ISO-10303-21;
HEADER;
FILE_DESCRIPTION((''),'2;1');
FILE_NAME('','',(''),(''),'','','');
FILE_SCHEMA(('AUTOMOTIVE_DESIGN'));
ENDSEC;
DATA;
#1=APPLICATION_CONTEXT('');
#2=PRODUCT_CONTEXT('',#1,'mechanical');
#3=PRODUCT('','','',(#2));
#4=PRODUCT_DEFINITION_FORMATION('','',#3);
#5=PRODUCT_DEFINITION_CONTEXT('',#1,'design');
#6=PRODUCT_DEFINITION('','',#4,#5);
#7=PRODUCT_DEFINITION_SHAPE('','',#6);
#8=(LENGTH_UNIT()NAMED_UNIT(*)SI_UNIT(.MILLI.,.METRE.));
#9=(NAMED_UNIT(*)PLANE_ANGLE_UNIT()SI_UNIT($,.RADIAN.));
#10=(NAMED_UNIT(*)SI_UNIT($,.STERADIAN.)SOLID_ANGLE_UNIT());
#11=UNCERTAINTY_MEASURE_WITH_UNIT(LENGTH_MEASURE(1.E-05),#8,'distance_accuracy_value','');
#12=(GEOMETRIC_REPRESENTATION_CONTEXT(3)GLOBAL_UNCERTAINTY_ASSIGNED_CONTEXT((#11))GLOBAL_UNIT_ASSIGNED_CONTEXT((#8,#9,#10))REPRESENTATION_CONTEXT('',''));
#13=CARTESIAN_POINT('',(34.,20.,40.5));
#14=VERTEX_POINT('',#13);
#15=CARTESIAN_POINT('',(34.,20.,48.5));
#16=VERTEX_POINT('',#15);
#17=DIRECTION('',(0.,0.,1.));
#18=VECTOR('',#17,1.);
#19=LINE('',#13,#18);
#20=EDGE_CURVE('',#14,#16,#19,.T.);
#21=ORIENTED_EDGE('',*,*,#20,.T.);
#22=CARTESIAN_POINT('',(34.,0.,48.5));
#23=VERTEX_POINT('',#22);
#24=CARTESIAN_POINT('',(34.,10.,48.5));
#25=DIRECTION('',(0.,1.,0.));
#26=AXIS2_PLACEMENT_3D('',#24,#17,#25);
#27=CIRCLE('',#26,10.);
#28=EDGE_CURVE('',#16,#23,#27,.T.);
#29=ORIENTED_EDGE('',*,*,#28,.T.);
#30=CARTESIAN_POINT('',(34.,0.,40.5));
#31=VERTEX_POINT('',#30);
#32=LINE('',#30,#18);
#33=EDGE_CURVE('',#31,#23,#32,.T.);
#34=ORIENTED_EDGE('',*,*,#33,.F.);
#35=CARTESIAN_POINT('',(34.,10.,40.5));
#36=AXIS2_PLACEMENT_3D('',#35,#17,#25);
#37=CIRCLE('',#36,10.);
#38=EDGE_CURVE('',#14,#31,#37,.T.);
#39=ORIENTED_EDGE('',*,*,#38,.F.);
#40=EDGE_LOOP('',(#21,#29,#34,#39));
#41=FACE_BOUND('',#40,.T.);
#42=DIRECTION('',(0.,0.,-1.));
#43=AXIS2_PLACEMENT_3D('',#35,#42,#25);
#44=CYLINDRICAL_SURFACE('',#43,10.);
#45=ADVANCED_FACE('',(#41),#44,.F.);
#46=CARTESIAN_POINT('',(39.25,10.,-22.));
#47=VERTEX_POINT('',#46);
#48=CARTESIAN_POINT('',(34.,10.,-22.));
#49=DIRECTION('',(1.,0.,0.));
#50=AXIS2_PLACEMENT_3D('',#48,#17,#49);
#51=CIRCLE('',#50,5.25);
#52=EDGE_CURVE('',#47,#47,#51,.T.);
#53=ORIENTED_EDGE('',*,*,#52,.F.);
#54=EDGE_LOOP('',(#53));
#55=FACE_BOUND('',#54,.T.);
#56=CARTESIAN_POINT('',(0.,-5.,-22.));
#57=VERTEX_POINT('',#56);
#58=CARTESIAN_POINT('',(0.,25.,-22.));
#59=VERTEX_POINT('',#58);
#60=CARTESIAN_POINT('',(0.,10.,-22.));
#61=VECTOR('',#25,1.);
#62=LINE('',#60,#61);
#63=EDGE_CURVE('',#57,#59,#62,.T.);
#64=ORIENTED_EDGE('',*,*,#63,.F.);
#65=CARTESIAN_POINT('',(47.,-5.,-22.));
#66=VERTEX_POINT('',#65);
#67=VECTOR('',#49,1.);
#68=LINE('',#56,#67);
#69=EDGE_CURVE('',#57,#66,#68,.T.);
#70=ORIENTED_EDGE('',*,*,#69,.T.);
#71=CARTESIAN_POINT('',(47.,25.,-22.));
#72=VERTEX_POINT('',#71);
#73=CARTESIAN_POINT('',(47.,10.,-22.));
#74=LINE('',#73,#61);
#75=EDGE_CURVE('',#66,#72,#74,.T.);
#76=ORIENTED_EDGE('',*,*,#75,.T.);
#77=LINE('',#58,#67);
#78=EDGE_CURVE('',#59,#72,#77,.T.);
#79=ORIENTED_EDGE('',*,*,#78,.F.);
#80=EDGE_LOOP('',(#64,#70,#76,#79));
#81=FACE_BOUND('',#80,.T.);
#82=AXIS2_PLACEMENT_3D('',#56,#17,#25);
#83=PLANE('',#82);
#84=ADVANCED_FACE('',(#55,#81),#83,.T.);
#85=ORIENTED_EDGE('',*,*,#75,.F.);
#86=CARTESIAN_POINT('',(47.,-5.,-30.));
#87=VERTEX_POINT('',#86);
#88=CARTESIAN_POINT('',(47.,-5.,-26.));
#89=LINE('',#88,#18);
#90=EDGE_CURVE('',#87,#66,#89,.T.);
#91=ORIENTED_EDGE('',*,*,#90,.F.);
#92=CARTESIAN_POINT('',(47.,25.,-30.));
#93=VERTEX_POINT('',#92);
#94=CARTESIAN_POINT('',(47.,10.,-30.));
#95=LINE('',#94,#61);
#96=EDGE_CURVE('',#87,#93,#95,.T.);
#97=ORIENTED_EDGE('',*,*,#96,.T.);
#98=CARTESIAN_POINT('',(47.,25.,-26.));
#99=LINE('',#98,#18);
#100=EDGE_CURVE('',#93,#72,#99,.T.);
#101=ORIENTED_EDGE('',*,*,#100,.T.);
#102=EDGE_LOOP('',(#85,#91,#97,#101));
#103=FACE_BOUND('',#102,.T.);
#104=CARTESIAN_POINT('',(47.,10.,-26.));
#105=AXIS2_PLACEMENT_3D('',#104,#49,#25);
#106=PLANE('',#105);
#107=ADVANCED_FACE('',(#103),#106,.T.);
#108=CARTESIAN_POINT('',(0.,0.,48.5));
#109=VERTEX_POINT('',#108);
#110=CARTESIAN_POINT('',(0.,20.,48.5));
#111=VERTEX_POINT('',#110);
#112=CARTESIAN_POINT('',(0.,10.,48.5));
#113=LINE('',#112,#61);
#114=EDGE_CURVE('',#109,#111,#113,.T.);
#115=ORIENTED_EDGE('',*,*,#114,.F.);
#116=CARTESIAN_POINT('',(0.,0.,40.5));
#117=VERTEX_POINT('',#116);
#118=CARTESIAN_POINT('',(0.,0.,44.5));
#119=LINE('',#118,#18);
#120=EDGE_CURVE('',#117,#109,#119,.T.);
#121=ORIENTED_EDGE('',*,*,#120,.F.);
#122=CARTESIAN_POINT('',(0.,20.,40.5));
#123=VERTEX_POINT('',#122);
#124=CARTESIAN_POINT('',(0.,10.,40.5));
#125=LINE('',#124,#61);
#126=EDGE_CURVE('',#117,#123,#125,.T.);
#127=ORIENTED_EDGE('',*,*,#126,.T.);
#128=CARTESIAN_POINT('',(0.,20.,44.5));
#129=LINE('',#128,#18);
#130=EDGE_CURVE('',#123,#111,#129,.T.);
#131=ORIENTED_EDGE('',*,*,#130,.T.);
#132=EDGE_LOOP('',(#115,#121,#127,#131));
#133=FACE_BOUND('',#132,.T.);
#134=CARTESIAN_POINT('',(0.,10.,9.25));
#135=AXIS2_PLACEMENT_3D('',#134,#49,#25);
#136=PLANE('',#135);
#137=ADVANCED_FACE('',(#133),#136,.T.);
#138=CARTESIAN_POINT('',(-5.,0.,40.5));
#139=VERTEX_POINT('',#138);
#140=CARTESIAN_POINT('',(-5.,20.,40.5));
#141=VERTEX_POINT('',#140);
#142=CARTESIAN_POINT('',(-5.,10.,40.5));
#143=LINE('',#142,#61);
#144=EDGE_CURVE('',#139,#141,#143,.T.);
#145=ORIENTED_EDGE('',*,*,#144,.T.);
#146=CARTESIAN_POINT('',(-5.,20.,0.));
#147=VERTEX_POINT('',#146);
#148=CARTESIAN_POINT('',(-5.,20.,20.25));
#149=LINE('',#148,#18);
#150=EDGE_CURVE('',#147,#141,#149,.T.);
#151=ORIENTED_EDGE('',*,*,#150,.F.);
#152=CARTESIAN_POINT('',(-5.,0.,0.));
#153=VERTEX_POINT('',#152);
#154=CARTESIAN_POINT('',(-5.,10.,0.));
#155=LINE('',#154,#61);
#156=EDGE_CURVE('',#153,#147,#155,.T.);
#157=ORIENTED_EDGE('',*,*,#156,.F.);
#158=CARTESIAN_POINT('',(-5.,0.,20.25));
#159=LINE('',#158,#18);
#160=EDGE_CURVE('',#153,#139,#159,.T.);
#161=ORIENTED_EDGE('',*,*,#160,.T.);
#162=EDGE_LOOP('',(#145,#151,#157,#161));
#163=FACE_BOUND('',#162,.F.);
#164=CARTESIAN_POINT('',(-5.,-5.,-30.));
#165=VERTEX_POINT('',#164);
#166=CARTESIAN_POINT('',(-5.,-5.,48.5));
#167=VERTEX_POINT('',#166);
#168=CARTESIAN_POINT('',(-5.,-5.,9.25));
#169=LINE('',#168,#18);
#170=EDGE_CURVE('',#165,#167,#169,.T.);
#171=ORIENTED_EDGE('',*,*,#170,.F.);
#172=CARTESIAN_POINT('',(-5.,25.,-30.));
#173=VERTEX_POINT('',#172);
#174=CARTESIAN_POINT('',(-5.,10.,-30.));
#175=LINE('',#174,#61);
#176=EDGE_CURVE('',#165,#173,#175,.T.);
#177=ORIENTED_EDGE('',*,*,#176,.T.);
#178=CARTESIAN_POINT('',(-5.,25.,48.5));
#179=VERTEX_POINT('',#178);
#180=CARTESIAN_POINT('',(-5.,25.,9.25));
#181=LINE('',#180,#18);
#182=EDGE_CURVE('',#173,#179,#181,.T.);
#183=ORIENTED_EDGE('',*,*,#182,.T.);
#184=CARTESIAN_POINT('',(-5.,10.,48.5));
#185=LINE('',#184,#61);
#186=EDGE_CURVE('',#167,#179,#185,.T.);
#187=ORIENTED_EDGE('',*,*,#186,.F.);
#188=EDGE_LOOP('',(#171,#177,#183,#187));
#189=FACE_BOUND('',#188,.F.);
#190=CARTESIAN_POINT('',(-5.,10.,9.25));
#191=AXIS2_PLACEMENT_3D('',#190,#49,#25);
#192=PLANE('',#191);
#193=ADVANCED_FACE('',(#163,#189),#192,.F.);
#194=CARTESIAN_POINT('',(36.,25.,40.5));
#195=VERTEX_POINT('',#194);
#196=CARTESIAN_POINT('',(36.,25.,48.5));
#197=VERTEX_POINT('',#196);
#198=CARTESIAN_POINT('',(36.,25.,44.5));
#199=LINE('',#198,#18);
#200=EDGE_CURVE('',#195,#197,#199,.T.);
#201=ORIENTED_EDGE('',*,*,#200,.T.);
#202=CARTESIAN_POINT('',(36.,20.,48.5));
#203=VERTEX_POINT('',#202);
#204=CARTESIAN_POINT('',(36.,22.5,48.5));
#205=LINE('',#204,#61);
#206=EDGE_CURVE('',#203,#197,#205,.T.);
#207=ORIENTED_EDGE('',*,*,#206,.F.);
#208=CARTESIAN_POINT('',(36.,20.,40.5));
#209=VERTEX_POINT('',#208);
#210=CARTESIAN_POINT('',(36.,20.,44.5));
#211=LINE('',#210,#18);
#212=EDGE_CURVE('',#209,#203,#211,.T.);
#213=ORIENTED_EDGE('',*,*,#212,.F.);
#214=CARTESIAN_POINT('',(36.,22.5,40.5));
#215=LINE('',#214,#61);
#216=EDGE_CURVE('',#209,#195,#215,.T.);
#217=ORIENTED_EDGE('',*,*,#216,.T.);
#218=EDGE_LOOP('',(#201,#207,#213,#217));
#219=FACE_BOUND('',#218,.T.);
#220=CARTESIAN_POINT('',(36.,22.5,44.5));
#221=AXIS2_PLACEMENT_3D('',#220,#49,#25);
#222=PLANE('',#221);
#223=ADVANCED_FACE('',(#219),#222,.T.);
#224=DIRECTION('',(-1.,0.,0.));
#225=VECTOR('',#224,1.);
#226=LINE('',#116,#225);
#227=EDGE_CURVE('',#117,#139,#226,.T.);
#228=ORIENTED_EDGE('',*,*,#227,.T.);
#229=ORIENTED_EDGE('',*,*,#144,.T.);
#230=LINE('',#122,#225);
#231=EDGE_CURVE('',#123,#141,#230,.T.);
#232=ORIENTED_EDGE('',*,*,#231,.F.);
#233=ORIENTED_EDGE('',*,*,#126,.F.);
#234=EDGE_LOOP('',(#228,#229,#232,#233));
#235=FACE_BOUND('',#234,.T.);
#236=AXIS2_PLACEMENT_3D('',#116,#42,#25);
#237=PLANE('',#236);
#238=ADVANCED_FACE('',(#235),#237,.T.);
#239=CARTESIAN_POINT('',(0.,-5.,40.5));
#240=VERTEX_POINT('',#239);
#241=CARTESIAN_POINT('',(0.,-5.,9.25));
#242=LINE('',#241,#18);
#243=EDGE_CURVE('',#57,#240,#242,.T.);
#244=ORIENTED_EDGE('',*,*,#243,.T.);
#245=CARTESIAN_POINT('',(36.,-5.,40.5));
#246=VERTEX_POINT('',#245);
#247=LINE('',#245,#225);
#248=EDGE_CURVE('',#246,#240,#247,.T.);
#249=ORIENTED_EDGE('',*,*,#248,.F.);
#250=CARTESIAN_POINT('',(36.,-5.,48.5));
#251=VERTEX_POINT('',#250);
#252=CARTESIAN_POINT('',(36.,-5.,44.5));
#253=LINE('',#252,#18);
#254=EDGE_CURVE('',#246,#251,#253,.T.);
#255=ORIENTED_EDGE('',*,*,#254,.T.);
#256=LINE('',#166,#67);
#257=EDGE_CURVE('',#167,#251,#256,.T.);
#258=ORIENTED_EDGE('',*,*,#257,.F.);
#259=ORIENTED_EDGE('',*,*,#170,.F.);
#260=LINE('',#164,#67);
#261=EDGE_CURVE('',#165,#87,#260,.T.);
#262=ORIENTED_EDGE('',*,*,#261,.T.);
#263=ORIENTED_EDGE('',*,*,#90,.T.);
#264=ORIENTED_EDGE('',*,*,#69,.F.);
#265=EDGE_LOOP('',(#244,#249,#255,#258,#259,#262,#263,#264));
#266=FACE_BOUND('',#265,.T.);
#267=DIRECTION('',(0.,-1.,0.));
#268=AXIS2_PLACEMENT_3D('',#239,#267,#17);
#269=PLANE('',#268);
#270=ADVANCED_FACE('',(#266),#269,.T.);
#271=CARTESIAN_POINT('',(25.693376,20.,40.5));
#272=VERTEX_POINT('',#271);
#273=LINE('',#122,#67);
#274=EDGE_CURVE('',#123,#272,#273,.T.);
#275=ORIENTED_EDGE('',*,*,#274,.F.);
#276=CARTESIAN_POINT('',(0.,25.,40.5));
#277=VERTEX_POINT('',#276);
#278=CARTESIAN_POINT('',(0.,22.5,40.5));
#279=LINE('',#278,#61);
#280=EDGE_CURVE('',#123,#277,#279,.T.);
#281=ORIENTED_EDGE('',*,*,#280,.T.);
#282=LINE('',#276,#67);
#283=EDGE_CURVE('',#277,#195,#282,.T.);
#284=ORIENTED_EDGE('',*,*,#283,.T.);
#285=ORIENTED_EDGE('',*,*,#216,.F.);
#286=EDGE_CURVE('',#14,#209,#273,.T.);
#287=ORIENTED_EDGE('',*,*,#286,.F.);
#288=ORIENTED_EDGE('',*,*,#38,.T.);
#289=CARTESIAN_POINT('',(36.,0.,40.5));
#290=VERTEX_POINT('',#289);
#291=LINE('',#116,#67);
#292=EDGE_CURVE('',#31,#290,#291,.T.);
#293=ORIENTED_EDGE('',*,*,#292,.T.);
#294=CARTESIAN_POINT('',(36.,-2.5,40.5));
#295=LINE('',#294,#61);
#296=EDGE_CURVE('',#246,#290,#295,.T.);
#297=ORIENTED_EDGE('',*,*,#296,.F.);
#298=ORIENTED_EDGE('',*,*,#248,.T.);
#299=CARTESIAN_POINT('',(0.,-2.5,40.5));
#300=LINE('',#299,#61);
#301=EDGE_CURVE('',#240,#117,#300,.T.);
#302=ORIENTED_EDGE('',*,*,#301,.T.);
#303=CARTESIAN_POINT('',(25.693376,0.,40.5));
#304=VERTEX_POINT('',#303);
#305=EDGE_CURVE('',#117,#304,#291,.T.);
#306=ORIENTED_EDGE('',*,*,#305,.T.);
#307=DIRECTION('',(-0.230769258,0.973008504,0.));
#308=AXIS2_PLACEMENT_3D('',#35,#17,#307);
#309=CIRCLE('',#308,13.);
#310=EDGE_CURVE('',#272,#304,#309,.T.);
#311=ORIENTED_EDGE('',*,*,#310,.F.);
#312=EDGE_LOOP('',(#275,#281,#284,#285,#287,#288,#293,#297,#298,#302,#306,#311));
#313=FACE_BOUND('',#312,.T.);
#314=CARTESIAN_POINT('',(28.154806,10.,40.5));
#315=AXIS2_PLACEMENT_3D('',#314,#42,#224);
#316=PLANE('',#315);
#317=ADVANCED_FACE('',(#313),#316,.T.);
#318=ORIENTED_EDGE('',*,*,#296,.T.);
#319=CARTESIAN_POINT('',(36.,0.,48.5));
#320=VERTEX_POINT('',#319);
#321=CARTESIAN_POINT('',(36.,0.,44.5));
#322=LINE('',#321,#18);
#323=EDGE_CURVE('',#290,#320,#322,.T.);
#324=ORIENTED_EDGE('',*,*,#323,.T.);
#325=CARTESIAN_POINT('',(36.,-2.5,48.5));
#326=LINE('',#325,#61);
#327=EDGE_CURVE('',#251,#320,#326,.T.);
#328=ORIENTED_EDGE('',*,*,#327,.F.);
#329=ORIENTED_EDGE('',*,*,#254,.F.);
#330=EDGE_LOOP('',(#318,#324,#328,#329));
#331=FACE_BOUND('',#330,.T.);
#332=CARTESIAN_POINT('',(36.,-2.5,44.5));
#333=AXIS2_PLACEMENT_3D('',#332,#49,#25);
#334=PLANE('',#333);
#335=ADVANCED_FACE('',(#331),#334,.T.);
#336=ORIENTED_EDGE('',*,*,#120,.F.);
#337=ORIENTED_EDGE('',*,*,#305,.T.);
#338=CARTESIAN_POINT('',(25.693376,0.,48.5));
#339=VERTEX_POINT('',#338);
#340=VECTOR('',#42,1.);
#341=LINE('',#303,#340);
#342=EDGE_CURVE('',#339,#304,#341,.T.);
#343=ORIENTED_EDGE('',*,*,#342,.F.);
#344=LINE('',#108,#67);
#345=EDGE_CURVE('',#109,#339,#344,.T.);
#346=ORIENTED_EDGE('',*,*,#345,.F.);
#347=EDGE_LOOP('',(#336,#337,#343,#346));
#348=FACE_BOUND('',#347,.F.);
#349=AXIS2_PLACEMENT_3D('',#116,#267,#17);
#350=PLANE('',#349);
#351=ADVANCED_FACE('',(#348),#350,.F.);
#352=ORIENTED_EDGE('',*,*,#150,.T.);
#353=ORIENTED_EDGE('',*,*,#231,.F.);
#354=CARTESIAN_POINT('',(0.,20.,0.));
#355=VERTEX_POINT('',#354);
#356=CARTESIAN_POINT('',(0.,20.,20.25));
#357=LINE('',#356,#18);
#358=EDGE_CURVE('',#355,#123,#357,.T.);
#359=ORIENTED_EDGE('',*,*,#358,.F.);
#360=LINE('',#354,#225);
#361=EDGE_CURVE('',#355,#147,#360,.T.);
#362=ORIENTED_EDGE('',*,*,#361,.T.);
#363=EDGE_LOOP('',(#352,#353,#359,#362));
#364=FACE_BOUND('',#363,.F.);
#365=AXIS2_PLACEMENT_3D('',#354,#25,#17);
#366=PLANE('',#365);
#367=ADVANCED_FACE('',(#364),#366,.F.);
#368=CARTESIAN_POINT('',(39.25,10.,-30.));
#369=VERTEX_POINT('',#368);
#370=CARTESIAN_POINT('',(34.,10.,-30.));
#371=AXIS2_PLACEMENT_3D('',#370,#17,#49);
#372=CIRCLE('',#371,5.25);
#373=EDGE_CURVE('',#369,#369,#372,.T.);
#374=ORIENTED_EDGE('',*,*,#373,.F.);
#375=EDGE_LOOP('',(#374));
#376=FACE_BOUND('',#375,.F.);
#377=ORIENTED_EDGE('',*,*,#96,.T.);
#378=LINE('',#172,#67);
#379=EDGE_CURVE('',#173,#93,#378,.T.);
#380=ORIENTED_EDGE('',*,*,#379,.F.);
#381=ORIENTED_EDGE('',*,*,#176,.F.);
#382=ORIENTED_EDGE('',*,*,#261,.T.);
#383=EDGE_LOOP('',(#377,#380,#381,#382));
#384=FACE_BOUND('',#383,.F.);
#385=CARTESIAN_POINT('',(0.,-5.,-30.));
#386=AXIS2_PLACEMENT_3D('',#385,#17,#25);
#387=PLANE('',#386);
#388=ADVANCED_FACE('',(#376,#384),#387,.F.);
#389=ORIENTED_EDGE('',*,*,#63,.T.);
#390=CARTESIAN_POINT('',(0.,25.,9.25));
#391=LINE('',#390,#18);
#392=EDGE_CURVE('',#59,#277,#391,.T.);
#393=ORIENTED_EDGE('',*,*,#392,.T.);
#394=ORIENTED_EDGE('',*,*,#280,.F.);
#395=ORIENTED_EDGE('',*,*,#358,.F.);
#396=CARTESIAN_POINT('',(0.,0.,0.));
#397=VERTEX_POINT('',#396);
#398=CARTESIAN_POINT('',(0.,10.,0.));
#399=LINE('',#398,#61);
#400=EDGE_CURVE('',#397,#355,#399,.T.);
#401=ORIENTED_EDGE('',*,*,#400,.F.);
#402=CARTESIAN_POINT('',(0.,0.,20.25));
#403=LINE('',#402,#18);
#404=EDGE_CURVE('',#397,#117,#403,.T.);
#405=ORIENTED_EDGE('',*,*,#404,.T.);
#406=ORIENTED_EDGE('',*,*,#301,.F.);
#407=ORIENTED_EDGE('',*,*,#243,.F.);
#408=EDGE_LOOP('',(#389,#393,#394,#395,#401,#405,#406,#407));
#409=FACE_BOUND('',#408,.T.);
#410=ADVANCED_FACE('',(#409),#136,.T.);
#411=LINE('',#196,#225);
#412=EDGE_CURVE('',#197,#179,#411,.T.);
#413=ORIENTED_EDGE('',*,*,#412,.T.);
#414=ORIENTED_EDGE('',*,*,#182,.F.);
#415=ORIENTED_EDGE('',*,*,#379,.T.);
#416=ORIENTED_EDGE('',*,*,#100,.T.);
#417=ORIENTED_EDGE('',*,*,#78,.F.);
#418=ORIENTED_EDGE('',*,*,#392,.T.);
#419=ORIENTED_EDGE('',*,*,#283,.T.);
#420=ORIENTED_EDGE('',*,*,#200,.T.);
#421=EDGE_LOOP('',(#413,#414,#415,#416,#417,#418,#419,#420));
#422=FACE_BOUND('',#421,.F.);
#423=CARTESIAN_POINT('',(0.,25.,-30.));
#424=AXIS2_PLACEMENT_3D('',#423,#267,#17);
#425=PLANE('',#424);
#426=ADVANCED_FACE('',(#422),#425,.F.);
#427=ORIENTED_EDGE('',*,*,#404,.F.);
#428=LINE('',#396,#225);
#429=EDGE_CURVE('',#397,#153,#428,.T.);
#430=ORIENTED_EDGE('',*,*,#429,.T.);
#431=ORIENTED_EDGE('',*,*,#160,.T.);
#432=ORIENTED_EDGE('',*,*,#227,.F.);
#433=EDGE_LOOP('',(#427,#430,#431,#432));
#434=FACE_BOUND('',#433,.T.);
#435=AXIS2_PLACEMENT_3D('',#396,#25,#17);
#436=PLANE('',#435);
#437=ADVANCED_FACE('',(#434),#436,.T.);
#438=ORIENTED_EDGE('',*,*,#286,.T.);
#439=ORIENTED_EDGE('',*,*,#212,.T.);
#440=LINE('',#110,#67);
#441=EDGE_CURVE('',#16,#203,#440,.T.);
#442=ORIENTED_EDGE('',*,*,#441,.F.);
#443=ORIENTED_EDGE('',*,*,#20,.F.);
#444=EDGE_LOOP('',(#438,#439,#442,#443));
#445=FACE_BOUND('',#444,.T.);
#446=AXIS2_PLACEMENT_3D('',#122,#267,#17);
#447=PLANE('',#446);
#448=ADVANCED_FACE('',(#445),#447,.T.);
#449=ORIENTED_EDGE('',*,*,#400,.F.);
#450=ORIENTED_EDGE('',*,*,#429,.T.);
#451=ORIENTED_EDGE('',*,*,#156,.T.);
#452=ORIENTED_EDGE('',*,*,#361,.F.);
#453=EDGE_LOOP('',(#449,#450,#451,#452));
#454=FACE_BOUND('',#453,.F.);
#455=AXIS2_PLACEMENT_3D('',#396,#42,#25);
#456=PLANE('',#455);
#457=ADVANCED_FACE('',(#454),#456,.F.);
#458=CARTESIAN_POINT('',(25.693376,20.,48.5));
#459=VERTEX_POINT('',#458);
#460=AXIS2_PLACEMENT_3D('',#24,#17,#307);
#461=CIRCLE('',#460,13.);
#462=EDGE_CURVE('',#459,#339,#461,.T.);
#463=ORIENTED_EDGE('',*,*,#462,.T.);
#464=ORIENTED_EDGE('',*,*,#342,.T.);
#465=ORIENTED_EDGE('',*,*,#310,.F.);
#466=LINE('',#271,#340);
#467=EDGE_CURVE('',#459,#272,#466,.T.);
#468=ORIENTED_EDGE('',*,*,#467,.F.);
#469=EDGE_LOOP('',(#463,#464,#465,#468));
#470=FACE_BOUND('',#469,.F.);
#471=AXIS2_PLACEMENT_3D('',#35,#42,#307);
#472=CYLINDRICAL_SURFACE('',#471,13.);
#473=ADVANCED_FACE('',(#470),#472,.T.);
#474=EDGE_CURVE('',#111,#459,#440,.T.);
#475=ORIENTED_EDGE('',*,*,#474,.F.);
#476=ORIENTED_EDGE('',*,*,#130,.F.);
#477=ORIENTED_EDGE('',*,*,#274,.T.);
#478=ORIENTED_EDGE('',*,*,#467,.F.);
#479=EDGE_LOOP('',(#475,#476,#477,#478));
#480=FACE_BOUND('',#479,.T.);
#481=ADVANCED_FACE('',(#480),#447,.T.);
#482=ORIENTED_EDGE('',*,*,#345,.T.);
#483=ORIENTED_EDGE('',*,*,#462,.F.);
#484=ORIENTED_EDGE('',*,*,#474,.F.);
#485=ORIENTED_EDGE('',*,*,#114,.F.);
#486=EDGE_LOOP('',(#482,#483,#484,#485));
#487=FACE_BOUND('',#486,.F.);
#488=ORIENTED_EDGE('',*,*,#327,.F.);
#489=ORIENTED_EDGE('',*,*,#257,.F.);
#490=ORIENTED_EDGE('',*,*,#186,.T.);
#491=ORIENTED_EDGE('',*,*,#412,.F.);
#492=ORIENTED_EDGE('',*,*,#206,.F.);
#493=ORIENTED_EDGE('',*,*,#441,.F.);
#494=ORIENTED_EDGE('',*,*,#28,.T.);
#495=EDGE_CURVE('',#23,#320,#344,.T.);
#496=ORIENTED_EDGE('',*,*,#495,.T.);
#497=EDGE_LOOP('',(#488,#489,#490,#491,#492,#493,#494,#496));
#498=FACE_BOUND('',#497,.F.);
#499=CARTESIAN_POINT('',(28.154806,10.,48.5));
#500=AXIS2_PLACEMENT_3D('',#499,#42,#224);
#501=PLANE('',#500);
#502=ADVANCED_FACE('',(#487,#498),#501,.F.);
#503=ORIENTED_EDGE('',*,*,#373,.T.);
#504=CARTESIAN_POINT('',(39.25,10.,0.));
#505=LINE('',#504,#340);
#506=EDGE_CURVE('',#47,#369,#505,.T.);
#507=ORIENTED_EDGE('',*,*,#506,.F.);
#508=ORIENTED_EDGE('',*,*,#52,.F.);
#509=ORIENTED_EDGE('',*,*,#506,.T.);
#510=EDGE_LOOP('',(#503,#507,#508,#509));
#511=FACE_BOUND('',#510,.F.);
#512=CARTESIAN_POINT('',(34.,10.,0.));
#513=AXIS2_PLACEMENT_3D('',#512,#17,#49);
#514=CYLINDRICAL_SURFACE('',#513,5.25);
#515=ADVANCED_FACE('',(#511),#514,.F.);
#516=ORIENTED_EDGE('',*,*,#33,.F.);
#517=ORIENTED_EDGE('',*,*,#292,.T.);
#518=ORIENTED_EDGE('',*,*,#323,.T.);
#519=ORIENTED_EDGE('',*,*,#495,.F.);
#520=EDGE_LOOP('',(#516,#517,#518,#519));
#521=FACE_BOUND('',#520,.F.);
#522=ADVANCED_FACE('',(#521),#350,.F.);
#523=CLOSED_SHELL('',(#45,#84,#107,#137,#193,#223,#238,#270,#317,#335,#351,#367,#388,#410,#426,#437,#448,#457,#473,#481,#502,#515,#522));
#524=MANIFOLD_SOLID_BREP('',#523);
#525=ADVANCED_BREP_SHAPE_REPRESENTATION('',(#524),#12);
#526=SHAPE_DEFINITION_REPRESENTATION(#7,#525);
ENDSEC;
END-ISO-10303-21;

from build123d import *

# Parameters (mm, degrees)
SKETCH011_W     = 30
SKETCH011_H     = 78.5
SKETCH011_W_2   = 20
SKETCH011_H_2   = 40.5
PAD009_DEPTH    = 5
SKETCH008_W     = 30
SKETCH008_H     = 8
PAD008_DEPTH    = 47
SKETCH009_W     = 5
SKETCH009_H     = 8
PAD012_DEPTH    = 36
PAD010_DEPTH    = 8
SKETCH012_R     = 1.5
POCKET004_DEPTH = 6.501
SKETCH015_R     = 5.25
POCKET003_DEPTH = 30.001


with BuildPart() as part:
    # Sketch011 → Pad009 (new body)
    with BuildSketch(Plane.YZ):
        with Locations((10, 9.25)):
            Rectangle(SKETCH011_W, SKETCH011_H)
        with Locations((10, 20.25)):
            Rectangle(SKETCH011_W_2, SKETCH011_H_2, mode=Mode.SUBTRACT)
    extrude(amount=-PAD009_DEPTH)

    # Sketch008 → Pad008 (join)
    with BuildSketch(Plane.YZ):
        with Locations((10, -26)):
            Rectangle(SKETCH008_W, SKETCH008_H)
    extrude(amount=PAD008_DEPTH)

    # Sketch009 → Pad012 (join)
    with BuildSketch(Plane.YZ):
        with Locations((-2.5, 44.5)):
            Rectangle(SKETCH009_W, SKETCH009_H)
        with Locations((22.5, 44.5)):
            Rectangle(SKETCH009_W, SKETCH009_H)
    extrude(amount=PAD012_DEPTH)

    # Sketch010 → Pad010 (join)
    with BuildSketch(Plane.XY.offset(40.5)):
        with BuildLine():
            ThreePointArc((34, 20), (24, 10), (34, 0))
            Line((34, 0), (34, -5))
            Line((34, -5), (31, -5))
            Line((31, -5), (31, -2.649111))
            ThreePointArc((31, 22.649111), (21, 10), (31, -2.649111))
            Line((31, 25), (31, 22.649111))
            Line((34, 25), (31, 25))
            Line((34, 20), (34, 25))
        make_face()
    extrude(amount=PAD010_DEPTH)

    # Sketch012 → Pocket004 (cut, through all)
    with BuildSketch(Plane.YZ.offset(40.5)):
        with Locations((-2.5, 44.5)):
            Circle(SKETCH012_R)
        with Locations((22.5, 44.5)):
            Circle(SKETCH012_R)
    extrude(amount=POCKET004_DEPTH, mode=Mode.SUBTRACT)

    # Sketch015 → Pocket003 (cut, through all)
    with BuildSketch(Plane.XY):
        with Locations((34, 10)):
            Circle(SKETCH015_R)
    extrude(amount=-POCKET003_DEPTH, mode=Mode.SUBTRACT)


solid = part.part
